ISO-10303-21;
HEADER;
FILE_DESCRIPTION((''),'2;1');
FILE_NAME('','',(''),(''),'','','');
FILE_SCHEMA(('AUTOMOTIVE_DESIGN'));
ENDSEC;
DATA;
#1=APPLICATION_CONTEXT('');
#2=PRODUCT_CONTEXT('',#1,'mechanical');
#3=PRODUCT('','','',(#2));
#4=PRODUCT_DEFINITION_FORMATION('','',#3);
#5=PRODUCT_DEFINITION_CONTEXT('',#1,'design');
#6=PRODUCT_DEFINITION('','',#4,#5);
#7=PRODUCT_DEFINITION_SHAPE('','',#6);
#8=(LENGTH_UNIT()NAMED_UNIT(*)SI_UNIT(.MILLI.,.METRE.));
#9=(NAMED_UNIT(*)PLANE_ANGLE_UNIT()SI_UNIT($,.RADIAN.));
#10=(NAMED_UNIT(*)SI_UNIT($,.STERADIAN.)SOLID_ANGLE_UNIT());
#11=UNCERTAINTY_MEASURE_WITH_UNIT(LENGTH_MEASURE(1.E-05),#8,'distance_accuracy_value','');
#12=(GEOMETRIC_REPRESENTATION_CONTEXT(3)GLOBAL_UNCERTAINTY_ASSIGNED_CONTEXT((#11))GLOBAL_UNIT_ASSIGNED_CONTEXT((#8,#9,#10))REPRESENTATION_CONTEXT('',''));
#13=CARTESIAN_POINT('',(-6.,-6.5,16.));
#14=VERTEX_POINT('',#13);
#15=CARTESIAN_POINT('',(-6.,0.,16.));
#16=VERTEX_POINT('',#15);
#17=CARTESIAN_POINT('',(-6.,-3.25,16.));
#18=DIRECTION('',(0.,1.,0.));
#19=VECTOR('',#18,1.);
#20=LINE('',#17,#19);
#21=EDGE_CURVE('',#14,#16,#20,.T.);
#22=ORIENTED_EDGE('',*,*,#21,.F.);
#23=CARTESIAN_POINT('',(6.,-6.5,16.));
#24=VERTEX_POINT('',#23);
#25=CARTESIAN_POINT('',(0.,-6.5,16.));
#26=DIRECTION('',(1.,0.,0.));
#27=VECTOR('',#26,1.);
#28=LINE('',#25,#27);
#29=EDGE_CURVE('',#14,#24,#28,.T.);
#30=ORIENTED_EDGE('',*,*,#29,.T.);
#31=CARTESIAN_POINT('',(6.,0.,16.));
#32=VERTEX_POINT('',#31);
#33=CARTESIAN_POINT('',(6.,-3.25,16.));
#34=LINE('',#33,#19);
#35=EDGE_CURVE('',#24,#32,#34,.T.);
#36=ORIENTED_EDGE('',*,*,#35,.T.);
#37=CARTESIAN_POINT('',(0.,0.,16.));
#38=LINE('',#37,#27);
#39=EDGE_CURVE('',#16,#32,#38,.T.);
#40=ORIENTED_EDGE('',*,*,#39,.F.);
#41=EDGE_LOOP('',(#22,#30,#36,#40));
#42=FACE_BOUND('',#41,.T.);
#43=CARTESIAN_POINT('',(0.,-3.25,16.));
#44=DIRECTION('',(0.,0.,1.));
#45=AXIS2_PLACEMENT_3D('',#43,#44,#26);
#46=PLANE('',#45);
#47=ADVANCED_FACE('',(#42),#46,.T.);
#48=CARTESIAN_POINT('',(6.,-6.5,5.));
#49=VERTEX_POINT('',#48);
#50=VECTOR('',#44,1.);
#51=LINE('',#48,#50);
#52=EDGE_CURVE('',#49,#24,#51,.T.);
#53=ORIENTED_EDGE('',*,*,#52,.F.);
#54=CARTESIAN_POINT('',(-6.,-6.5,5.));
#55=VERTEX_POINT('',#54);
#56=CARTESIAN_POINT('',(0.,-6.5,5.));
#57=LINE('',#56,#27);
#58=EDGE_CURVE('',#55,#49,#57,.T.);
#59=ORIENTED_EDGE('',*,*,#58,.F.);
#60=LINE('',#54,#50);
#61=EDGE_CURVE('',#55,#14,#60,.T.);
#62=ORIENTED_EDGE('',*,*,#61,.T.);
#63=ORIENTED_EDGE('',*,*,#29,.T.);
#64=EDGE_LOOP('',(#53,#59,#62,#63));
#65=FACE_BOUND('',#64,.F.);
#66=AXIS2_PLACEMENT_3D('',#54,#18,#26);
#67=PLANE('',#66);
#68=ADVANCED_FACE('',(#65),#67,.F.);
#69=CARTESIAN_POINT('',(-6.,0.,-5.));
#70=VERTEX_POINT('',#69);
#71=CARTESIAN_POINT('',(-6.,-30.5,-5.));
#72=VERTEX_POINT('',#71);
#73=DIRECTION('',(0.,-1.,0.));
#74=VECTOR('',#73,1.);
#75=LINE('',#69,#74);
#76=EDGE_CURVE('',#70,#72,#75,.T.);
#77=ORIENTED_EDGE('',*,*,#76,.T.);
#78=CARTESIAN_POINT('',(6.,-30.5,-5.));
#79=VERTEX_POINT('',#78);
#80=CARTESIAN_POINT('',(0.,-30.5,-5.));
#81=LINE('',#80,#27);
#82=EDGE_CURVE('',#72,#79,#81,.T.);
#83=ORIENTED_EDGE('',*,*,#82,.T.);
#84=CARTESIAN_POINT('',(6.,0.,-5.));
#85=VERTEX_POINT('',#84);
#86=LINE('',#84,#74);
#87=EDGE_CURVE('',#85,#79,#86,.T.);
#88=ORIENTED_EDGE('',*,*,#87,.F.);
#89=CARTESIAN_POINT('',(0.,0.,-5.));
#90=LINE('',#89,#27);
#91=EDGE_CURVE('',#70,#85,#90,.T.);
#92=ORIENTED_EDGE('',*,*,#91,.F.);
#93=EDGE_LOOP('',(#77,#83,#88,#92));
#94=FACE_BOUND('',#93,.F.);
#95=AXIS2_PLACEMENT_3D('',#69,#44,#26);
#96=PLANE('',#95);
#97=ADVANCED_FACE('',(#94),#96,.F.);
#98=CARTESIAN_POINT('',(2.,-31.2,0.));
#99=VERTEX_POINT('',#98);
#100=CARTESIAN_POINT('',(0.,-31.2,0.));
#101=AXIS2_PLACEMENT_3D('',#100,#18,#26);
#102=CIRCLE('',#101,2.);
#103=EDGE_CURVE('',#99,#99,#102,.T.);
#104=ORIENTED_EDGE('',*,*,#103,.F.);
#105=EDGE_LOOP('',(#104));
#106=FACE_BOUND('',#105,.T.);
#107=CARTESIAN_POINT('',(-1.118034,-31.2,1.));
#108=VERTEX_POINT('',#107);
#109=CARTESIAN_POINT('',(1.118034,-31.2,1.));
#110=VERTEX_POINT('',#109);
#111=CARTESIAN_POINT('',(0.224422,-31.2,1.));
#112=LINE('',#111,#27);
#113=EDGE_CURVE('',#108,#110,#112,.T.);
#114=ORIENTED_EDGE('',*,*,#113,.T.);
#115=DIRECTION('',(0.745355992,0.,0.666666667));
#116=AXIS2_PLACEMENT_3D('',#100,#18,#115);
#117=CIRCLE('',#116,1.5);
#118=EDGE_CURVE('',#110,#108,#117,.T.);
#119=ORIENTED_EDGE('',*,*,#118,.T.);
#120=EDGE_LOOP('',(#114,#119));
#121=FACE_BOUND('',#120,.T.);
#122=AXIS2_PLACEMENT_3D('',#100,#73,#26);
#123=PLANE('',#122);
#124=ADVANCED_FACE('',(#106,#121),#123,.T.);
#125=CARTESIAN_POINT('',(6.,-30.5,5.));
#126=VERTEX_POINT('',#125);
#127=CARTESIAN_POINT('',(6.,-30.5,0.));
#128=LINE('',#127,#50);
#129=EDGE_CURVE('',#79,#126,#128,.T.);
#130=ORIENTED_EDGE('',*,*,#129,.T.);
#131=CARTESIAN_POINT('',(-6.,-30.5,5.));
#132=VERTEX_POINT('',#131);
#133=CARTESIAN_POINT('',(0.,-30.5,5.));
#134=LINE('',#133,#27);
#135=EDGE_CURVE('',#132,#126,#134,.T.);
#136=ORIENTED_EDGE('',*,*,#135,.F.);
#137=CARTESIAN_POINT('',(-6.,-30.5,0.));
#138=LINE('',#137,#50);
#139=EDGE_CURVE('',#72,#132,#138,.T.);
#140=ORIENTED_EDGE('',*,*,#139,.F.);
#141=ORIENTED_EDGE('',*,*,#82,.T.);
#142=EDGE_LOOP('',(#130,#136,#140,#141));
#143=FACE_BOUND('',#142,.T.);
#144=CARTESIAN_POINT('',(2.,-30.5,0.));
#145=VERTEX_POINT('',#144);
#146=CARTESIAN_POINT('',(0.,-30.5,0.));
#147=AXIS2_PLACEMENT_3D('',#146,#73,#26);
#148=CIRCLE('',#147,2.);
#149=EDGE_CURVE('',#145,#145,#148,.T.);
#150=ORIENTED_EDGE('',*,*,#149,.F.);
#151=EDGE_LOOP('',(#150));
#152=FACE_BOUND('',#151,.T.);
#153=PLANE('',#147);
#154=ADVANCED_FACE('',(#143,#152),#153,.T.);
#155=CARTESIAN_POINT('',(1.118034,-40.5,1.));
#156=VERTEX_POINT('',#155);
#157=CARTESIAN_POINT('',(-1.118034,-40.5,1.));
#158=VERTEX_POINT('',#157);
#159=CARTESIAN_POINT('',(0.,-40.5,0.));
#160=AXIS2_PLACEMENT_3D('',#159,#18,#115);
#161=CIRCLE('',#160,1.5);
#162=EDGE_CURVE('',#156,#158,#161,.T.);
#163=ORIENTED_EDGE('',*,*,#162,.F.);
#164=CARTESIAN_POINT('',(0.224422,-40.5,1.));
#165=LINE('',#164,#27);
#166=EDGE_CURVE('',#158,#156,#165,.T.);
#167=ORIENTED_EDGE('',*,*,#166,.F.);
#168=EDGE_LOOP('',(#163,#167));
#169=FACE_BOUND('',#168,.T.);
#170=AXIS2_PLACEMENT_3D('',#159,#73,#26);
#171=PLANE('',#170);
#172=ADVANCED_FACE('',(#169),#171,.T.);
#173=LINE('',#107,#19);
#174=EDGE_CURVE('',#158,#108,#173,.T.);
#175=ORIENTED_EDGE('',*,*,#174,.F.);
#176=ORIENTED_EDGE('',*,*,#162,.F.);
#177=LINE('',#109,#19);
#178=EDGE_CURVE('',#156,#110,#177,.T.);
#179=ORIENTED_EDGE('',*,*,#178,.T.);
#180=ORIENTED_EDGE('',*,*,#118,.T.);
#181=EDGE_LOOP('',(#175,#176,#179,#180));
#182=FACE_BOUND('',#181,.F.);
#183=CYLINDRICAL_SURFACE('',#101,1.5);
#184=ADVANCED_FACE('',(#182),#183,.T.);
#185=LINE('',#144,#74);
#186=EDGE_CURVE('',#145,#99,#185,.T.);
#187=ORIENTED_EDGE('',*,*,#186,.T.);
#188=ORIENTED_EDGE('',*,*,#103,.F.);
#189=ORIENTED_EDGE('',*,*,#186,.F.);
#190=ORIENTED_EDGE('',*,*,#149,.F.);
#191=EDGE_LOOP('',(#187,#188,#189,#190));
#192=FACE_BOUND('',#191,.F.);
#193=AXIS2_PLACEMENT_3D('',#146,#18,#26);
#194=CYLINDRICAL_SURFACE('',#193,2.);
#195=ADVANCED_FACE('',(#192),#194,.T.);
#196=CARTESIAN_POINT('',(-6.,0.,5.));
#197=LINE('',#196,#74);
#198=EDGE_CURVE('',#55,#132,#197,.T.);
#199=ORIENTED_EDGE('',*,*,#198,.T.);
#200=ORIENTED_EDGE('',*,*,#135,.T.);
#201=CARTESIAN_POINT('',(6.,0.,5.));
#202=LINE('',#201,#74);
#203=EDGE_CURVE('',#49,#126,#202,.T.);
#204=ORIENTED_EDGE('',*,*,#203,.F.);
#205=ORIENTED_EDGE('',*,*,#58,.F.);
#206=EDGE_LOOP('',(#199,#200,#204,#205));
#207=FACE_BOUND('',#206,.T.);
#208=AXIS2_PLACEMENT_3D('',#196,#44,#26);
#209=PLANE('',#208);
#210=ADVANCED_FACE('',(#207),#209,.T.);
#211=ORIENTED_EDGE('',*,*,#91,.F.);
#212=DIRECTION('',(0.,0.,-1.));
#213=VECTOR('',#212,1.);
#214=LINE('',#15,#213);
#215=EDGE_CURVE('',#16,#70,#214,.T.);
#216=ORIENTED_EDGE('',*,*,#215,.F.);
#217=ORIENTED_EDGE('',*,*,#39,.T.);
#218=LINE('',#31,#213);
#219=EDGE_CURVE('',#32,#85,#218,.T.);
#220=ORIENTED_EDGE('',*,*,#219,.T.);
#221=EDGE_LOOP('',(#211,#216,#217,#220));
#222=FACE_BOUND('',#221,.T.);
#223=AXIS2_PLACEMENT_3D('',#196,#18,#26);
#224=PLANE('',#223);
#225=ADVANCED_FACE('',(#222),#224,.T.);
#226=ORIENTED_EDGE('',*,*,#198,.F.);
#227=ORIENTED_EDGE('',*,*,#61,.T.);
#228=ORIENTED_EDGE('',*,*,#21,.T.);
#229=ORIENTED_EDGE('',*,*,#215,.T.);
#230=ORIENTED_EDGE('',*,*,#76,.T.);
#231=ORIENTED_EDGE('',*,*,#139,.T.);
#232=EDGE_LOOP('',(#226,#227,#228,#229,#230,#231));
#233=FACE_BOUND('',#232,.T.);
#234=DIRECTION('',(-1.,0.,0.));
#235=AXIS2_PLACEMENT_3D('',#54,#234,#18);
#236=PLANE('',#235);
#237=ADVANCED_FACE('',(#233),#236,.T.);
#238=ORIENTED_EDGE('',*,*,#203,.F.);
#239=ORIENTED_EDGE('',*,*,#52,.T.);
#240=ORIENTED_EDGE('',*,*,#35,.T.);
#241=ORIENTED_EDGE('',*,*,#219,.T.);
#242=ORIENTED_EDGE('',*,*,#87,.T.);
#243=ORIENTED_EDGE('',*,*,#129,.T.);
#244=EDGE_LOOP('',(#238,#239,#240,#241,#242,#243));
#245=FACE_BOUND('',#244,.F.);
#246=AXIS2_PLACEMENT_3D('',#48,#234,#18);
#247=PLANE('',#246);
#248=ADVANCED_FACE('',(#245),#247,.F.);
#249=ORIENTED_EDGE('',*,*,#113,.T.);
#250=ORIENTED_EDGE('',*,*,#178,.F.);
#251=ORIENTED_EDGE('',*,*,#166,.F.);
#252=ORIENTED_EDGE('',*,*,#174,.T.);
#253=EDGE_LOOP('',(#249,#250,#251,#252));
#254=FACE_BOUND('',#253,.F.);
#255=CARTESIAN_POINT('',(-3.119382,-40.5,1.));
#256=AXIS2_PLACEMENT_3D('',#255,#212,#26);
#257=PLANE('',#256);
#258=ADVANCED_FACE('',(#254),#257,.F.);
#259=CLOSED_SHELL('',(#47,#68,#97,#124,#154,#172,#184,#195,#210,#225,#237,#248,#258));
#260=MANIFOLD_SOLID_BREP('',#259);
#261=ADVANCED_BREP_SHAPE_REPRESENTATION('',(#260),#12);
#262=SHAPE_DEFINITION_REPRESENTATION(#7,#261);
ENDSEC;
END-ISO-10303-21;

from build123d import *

# Parameters (mm, degrees)
F0_W     = 12
F0_H     = 10
F1_DEPTH = 30.5
F2_R     = 2
F3_DEPTH = 0.7
F4_R     = 1.5
F5_DEPTH = 9.3
F6_W     = 6.687609
F6_H     = 1.676586
F7_DEPTH = 9.3
F8_W     = 12
F8_H     = 6.5
F9_DEPTH = 11


with BuildPart() as f1:
    # F0 (on Front) → F1 (new body)
    with BuildSketch(Plane.XZ):
        Rectangle(F0_W, F0_H)
    extrude(amount=F1_DEPTH)

    # F2 (on face) → F3 (join)
    with BuildSketch(Plane.XZ.offset(30.5)):
        Circle(F2_R)
    extrude(amount=F3_DEPTH)

    # F4 (on face) → F5 (join)
    with BuildSketch(Plane.XZ.offset(31.2)):
        Circle(F4_R)
    extrude(amount=F5_DEPTH)

    # F6 (on face) → F7 (cut)
    with BuildSketch(Plane.XZ.offset(40.5)):
        with Locations((0.224422, 1.838293)):
            Rectangle(F6_W, F6_H)
    extrude(amount=-F7_DEPTH, mode=Mode.SUBTRACT)

    # F8 (on face) → F9 (join)
    with BuildSketch(Plane.XY.offset(5)):
        with Locations((0, -3.25)):
            Rectangle(F8_W, F8_H)
    extrude(amount=F9_DEPTH)


solid = f1.part
